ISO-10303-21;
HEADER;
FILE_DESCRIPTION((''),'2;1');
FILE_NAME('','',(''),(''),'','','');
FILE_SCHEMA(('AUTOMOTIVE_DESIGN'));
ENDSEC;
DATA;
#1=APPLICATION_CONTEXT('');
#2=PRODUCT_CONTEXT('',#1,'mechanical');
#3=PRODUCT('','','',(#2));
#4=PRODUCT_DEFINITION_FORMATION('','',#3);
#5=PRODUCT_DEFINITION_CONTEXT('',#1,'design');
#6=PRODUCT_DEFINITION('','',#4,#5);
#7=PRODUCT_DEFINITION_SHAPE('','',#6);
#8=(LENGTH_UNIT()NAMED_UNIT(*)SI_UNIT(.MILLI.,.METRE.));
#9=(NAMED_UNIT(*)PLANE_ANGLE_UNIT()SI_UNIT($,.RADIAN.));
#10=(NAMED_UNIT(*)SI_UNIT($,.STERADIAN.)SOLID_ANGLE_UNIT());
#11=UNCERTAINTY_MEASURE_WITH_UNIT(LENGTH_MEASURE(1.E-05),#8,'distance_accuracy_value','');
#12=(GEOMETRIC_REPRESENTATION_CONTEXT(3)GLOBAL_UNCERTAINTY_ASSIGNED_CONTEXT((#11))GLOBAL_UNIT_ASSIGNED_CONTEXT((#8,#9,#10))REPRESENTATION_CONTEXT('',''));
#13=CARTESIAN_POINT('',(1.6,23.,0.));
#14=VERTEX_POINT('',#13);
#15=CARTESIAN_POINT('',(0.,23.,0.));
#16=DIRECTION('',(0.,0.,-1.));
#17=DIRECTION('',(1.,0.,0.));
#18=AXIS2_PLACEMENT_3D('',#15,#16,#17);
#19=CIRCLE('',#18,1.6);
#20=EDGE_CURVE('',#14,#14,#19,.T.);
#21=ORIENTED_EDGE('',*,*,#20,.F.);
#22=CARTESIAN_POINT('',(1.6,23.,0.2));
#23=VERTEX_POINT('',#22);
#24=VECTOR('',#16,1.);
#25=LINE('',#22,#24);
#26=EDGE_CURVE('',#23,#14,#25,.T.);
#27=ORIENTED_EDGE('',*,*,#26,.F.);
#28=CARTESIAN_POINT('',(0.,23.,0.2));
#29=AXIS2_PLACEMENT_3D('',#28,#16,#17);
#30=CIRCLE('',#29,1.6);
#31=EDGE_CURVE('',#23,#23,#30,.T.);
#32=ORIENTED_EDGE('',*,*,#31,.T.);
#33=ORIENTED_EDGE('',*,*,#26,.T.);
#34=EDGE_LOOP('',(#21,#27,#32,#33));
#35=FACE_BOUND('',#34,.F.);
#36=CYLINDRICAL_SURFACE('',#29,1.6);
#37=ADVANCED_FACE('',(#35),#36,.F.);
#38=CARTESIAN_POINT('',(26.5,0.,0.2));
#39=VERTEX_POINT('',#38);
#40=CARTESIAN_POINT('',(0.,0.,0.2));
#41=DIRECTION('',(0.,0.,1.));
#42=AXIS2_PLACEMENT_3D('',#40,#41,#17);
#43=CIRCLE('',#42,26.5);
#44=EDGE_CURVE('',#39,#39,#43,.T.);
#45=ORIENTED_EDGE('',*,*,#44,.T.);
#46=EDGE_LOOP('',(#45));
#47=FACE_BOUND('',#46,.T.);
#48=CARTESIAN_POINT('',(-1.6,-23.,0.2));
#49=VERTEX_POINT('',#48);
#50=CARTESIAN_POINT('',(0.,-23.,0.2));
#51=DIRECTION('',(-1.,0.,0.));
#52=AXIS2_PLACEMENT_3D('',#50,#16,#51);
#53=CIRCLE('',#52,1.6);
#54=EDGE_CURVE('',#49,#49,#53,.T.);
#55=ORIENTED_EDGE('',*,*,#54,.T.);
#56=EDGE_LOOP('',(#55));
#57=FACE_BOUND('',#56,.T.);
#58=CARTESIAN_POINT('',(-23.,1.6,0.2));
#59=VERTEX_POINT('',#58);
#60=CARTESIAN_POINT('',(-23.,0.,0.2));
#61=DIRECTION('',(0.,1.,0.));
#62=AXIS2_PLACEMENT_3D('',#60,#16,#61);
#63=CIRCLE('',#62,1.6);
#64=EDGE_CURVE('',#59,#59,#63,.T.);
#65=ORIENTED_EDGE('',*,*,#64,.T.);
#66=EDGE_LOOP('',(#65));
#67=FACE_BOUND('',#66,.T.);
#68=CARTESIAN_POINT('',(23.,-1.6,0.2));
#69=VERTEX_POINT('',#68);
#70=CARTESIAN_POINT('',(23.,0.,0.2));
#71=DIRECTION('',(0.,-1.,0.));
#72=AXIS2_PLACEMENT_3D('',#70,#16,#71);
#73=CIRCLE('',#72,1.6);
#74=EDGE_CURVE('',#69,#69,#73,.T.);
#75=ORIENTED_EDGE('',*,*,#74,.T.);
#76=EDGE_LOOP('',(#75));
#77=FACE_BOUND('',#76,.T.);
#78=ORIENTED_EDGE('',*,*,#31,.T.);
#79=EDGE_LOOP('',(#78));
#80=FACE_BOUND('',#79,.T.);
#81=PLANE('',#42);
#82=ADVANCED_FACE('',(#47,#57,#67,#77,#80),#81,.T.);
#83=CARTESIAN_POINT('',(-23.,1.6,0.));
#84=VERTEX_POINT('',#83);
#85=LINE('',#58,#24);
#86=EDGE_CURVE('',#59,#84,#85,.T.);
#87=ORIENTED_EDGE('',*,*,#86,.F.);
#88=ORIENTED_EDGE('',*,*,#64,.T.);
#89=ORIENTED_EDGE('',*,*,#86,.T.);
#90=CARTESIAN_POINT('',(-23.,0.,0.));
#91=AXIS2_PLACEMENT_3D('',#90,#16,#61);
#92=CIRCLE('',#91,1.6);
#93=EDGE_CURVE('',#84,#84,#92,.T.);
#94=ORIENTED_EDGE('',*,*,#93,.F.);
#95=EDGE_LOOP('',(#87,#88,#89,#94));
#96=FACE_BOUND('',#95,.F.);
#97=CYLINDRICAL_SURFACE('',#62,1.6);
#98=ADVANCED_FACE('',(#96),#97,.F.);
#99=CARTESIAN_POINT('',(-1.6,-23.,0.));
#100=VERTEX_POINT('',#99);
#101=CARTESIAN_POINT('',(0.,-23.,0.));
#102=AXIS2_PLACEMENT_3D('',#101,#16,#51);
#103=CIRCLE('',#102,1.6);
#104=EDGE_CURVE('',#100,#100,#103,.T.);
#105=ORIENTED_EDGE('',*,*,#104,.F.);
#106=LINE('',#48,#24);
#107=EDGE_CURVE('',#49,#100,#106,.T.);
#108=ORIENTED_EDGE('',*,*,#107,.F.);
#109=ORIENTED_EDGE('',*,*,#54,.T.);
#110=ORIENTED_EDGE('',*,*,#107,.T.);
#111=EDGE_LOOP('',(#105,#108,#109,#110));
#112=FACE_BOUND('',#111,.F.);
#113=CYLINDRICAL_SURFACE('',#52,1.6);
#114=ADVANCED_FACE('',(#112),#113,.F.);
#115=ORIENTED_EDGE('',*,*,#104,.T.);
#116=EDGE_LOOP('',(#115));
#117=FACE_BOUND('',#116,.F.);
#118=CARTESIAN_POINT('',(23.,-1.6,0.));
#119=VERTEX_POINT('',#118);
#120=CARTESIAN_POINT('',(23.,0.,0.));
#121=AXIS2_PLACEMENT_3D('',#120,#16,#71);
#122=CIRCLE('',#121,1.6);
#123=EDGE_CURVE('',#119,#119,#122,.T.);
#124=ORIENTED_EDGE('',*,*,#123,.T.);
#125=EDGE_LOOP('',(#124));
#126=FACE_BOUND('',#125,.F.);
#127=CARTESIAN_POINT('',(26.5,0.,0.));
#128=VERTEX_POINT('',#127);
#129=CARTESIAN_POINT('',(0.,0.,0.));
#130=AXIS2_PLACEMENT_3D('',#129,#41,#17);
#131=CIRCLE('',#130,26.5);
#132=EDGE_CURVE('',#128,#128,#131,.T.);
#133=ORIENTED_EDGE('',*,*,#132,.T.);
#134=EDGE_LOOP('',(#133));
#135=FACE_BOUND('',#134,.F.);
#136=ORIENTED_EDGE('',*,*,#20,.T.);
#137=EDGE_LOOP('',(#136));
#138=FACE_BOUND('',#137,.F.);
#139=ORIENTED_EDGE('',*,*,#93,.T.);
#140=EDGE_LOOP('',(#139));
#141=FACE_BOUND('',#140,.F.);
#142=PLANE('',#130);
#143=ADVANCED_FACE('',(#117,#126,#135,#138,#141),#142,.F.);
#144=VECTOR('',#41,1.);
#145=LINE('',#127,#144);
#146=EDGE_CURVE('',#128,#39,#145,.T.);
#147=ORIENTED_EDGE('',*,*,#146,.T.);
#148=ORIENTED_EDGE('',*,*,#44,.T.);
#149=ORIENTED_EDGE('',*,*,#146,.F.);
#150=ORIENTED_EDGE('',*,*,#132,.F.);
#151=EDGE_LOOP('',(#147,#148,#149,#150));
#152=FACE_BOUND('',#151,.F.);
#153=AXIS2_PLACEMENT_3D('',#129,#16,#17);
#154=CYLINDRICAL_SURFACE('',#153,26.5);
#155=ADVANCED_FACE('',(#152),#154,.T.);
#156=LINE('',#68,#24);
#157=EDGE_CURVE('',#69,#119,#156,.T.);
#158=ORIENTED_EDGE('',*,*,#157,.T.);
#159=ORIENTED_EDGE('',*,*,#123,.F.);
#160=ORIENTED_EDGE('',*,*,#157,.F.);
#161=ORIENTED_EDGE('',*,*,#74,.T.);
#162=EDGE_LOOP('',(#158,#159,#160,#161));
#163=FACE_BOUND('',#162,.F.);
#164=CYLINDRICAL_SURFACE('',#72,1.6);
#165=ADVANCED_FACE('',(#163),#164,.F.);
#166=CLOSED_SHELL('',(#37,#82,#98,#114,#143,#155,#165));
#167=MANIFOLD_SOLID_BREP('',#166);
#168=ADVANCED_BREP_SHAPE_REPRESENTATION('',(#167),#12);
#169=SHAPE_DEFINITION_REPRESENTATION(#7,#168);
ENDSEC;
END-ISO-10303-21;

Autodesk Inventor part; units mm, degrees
ref_plane "YZ Plane" through (0, 0, 0) normal (1, 0, 0) x (0, 1, 0)
ref_plane "XZ Plane" through (0, 0, 0) normal (0, 1, 0) x (-1, 0, 0)
ref_plane "XY Plane" through (0, 0, 0) normal (0, 0, 1) x (1, 0, 0)
sketch "Sketch1" plane through (0, 0, 0) normal (0, 0, 1) x (1, 0, 0)
  circle A0 centre (0, 0) radius 26.5
  dimension "d0" = 53
extrude "Extrusion1" add sketch "Sketch1" along normal blind 0.2
sketch "Sketch2" plane through (0, 0, 0.2) normal (0, 0, 1) x (1, 0, 0)
  circle A0 centre (0, 0) radius 23 construction
  point P0 (23, 0)
  dimension "d3" = 46
hole "Hole1" at (23, 0, 0.2) direction (0, 0, -1) diameter 3.2 end through all
pattern_circular "Circular Pattern1" count 4 over 360 about axis through (0, 0, 0) along (0, 0, 1) of "Hole1"
properties part number "probe-gate-mesh-circle-53mm" material "Stainless Steel"
